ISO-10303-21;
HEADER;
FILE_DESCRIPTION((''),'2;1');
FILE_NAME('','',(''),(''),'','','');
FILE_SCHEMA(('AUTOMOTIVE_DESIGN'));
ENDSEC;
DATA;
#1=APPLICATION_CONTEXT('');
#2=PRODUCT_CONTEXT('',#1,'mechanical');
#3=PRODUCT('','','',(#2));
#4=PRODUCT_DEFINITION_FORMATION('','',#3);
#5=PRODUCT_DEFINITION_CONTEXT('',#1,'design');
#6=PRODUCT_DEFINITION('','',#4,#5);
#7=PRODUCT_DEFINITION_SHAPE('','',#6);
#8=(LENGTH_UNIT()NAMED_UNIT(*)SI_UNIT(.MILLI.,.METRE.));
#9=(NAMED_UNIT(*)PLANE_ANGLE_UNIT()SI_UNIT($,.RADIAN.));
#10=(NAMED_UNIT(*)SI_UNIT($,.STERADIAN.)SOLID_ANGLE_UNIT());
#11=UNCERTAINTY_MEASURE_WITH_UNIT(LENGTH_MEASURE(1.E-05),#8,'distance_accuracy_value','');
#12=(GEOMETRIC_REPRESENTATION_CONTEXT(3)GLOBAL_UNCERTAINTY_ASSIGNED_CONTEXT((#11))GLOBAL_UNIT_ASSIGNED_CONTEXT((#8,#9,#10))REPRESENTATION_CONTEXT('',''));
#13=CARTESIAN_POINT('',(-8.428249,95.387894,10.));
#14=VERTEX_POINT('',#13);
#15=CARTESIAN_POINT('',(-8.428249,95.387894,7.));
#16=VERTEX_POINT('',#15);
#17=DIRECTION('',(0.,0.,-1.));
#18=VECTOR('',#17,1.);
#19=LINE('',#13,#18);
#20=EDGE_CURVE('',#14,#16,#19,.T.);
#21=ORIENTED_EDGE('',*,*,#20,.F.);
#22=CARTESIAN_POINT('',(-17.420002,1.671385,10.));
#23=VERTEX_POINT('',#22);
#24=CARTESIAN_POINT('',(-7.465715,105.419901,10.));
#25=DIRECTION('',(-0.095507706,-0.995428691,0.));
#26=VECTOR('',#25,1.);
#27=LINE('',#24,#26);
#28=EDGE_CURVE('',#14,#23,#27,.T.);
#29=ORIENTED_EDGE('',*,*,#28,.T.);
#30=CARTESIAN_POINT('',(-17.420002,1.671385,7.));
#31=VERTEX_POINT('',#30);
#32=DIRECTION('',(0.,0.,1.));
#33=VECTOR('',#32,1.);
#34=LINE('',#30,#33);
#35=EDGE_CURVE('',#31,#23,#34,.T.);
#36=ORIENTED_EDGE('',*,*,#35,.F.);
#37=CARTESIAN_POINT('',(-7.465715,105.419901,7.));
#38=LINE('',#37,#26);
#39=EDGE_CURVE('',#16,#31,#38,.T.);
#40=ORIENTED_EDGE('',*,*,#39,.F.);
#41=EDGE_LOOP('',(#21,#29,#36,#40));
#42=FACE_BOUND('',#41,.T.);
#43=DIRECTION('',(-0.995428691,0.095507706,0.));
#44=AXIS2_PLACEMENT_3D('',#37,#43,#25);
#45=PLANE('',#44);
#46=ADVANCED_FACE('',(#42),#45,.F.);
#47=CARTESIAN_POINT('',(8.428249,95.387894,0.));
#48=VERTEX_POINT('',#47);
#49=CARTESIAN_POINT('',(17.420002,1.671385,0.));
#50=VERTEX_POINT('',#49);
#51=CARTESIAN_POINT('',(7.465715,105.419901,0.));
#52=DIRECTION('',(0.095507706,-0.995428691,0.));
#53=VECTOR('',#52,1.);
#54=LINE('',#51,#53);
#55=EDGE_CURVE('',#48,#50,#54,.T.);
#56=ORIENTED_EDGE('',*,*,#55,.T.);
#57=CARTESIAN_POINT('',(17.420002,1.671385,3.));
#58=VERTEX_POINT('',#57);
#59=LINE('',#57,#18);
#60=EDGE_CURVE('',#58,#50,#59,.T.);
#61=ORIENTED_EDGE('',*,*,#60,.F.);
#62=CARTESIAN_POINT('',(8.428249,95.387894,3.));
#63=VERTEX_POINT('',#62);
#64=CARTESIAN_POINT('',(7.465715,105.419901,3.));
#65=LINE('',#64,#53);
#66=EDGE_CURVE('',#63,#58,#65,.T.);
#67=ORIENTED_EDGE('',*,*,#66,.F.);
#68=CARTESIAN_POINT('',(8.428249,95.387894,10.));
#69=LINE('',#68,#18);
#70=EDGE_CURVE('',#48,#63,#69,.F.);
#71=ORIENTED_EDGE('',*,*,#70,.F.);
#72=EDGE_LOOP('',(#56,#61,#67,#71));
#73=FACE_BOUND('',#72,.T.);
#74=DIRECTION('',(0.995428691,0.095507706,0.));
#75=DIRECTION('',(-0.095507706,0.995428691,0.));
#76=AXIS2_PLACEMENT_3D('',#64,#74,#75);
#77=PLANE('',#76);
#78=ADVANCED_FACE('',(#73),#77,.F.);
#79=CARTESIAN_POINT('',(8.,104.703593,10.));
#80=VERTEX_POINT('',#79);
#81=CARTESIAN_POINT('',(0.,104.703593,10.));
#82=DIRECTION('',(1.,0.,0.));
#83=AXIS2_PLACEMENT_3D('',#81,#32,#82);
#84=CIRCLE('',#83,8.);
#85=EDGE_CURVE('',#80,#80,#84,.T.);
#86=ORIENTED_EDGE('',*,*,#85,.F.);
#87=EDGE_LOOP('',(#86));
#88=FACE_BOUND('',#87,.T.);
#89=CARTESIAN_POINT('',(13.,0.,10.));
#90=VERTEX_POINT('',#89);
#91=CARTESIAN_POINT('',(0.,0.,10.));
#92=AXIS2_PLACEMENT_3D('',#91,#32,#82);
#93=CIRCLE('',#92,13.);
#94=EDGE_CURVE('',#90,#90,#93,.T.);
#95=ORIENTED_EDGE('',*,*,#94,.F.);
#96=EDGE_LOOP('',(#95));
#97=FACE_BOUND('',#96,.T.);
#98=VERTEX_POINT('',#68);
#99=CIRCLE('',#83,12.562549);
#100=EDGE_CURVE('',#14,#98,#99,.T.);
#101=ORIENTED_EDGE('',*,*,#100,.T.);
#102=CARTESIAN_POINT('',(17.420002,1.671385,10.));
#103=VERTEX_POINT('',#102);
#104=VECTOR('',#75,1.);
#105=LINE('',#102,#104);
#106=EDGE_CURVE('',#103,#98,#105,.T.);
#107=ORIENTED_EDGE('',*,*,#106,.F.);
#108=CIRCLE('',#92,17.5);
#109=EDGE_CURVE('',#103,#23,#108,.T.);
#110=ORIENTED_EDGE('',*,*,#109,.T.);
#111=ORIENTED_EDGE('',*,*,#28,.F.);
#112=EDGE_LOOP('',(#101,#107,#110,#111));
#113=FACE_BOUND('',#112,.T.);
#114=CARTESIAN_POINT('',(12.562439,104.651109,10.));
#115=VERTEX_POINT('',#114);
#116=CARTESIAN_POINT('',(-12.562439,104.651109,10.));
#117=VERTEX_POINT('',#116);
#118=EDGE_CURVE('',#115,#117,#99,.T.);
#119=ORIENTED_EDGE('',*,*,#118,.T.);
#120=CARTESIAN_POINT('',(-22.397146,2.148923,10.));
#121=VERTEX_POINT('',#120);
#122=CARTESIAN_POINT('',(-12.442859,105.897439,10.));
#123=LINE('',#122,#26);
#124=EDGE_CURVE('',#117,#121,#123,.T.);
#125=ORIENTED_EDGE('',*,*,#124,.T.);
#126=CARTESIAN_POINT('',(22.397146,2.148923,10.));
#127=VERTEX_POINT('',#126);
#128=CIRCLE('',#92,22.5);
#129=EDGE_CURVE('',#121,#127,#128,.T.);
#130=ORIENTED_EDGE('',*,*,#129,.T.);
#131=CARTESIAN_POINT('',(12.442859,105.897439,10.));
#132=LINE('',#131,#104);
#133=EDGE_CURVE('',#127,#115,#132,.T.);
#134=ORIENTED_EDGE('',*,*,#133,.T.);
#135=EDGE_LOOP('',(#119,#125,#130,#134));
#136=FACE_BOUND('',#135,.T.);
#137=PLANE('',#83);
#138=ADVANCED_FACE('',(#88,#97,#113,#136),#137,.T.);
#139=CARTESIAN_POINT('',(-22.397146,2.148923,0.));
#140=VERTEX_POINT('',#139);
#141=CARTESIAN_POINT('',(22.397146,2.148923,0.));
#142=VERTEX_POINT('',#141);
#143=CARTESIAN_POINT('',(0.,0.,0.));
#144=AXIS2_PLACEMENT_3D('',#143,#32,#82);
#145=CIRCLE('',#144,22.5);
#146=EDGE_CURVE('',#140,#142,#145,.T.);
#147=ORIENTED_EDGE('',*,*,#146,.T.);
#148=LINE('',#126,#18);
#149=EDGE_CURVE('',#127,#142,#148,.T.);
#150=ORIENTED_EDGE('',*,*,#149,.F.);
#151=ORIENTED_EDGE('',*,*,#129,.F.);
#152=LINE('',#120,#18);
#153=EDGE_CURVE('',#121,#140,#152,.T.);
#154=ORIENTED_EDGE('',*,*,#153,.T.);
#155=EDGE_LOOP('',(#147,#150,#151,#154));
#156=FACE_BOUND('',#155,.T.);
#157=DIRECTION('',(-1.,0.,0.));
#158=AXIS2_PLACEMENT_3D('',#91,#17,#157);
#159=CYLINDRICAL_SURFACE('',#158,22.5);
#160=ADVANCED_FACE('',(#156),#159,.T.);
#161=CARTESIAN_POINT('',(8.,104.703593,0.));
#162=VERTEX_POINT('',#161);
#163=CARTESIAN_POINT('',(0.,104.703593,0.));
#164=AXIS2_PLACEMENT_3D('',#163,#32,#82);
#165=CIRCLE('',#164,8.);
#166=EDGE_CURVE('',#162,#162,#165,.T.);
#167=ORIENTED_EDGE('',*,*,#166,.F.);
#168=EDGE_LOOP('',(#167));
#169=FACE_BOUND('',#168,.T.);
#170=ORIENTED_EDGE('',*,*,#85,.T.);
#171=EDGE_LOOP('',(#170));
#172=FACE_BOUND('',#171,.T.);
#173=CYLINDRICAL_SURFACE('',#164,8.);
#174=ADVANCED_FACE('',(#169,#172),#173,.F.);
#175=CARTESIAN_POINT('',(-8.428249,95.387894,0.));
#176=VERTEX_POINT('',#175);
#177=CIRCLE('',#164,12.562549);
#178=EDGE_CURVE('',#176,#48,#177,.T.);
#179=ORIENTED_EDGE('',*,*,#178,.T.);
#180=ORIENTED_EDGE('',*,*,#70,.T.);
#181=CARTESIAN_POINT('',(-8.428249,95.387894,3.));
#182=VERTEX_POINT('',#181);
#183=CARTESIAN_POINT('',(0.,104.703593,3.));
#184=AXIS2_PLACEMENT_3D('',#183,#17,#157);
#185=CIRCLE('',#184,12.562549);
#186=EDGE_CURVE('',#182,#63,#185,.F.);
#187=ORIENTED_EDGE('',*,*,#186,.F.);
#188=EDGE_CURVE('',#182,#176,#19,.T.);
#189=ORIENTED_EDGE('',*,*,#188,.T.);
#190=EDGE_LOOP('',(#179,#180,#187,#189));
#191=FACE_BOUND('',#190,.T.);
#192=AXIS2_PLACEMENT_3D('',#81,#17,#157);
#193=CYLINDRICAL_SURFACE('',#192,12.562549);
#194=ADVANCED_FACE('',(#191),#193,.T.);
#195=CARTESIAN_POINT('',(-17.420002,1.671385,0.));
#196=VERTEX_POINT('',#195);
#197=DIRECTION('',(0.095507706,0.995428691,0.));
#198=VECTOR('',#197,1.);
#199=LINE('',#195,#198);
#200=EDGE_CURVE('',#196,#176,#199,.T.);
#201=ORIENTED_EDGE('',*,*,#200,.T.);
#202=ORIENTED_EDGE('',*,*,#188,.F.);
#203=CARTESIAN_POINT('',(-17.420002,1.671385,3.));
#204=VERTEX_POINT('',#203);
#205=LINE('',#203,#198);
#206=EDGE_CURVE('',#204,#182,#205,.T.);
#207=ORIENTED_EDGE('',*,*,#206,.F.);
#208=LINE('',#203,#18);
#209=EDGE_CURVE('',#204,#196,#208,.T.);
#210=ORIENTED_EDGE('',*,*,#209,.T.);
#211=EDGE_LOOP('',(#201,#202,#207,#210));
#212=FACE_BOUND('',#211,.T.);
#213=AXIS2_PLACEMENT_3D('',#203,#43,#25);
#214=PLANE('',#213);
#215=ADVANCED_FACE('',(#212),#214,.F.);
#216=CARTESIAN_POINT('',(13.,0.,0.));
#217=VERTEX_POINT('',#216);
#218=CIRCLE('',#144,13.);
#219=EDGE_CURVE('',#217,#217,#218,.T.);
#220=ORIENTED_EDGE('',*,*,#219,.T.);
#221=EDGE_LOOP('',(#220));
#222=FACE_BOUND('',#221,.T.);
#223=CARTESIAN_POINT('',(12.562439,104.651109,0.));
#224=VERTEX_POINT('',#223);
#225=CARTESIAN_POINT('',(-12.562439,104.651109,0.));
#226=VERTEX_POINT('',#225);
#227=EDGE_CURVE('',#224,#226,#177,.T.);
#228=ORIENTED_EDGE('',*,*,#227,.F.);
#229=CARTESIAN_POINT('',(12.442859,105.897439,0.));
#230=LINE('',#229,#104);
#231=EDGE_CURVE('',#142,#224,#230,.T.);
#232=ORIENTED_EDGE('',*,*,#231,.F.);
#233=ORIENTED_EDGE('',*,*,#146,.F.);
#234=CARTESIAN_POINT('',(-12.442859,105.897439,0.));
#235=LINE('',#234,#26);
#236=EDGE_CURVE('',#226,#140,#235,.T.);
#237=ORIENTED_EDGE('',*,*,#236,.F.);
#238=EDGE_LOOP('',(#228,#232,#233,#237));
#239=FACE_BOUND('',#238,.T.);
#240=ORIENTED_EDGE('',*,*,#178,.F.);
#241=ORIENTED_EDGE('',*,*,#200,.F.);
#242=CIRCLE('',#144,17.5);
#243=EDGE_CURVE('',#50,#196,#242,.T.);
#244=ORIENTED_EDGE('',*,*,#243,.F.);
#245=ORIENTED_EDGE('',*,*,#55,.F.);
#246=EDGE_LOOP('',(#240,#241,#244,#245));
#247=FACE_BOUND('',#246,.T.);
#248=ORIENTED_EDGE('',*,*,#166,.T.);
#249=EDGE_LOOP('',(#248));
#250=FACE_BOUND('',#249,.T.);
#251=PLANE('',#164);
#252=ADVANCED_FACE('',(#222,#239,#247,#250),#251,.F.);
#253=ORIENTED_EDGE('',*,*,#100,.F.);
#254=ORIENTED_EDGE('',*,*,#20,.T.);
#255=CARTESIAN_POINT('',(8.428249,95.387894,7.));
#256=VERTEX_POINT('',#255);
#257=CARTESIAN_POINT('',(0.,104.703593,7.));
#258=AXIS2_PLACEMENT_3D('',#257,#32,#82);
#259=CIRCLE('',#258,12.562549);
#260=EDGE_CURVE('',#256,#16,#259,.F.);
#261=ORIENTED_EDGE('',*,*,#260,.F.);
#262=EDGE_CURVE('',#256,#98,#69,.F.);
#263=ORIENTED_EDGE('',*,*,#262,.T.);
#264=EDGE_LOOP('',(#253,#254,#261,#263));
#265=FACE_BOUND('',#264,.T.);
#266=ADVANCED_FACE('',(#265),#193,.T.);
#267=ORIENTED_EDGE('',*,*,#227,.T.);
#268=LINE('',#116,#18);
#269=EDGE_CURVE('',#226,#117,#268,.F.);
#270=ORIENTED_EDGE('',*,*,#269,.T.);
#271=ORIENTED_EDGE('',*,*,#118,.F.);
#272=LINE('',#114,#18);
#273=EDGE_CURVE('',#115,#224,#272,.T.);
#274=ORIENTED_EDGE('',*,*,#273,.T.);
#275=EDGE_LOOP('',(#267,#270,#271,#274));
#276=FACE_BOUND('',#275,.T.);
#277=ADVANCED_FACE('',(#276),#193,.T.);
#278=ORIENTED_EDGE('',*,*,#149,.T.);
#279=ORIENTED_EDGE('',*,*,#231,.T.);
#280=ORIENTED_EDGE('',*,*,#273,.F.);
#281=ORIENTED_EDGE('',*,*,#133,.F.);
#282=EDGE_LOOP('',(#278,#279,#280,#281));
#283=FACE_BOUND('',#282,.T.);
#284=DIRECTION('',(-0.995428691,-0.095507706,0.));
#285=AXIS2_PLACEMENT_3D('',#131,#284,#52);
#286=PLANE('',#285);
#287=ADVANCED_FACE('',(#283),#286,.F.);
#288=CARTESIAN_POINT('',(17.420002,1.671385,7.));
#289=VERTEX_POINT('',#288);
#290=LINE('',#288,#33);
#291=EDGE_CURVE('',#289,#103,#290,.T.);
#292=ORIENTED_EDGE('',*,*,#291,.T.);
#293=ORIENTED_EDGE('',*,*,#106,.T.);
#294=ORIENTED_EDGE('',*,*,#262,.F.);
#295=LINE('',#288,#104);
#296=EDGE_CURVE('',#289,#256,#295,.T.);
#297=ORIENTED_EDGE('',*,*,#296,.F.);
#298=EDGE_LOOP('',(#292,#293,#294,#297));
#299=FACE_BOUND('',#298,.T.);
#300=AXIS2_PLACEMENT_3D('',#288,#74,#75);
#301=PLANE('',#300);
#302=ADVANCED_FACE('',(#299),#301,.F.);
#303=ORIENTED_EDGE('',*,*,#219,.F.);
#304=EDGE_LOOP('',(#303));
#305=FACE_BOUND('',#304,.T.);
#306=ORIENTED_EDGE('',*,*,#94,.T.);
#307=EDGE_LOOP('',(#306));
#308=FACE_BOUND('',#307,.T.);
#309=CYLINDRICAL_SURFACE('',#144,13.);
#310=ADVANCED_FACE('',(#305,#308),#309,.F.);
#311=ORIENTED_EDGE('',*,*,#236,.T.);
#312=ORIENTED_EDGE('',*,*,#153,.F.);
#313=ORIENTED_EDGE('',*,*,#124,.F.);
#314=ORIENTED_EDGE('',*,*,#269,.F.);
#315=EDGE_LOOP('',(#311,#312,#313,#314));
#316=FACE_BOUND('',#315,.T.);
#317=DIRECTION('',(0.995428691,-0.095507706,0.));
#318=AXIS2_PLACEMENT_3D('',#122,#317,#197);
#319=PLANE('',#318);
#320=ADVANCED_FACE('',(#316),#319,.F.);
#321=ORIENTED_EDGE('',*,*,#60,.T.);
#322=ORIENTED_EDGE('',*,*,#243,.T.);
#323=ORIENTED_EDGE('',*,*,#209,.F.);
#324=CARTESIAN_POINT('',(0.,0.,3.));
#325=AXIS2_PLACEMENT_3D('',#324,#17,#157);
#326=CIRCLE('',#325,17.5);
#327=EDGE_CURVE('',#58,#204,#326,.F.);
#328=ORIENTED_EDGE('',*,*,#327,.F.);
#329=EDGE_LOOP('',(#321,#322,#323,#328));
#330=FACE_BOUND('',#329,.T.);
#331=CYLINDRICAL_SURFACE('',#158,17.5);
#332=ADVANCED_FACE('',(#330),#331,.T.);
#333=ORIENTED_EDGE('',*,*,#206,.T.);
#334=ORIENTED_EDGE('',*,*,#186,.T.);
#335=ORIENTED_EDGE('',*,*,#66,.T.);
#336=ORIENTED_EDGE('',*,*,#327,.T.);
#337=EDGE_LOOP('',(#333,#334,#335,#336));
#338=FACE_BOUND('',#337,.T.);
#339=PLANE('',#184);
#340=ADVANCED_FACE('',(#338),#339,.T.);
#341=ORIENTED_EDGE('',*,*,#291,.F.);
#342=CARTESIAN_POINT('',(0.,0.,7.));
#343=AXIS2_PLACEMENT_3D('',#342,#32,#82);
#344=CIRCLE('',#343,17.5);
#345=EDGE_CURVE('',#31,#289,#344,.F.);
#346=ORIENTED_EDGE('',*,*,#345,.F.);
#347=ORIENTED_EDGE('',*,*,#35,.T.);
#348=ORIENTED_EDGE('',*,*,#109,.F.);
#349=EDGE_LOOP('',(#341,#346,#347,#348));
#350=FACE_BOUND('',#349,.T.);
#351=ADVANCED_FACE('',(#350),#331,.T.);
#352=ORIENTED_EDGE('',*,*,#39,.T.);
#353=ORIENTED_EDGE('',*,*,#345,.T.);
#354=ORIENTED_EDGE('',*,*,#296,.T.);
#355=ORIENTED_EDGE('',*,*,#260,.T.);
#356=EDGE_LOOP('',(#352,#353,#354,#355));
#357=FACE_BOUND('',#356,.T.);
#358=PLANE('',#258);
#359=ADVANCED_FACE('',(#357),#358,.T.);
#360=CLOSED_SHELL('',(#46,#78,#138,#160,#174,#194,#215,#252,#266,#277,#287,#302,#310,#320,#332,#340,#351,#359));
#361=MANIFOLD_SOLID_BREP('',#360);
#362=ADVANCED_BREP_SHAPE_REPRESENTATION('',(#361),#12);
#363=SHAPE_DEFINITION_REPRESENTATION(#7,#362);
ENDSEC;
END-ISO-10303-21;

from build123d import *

# Parameters (mm, degrees)
BOSS_EXTRUDE1_DEPTH = 10
CUT_EXTRUDE1_DEPTH  = 3
CUT_EXTRUDE2_START  = -3
CUT_EXTRUDE2_DEPTH  = 3
SKETCH8_R           = 17.5
SKETCH8_R_2         = 12.562549016
BOSS_EXTRUDE3_DEPTH = 10
SKETCH9_R           = 13
SKETCH9_R_2         = 8
CUT_EXTRUDE4_DEPTH  = 120.823194953


with BuildPart() as part:
    # Sketch2 → Boss-Extrude1 (new body)
    with BuildSketch(Plane.XY):
        with BuildLine():
            Line((-12.442858632, 105.897439267), (-22.397145538, 2.148923391))
            ThreePointArc((-22.397145538, 2.148923391), (0, -22.5), (22.397145538, 2.148923391))
            Line((22.397145538, 2.148923391), (12.442858632, 105.897439267))
            ThreePointArc((12.442858632, 105.897439267), (0, 117.203592938), (-12.442858632, 105.897439267))
        make_face()
    extrude(amount=BOSS_EXTRUDE1_DEPTH)

    # Sketch3 → Cut-Extrude1 (cut)
    with BuildSketch(Plane.XY.offset(10)):
        with BuildLine():
            Line((-7.465715179, 105.419900735), (-17.420002085, 1.67138486))
            ThreePointArc((-17.420002085, 1.67138486), (0, -17.5), (17.420002085, 1.67138486))
            Line((17.420002085, 1.67138486), (7.465715179, 105.419900735))
            ThreePointArc((7.465715179, 105.419900735), (0, 112.203592938), (-7.465715179, 105.419900735))
        make_face()
    extrude(amount=-CUT_EXTRUDE1_DEPTH, mode=Mode.SUBTRACT)

    # Sketch5 → Cut-Extrude2 (cut)
    with BuildSketch(Plane(origin=(0, 0, 0), x_dir=(-1, 0, 0), z_dir=(0, 0, -1)).offset(CUT_EXTRUDE2_START)):
        with BuildLine():
            Line((-7.465715179, 105.419900735), (-17.420002085, 1.67138486))
            ThreePointArc((-17.420002085, 1.67138486), (0, -17.5), (17.420002085, 1.67138486))
            Line((17.420002085, 1.67138486), (7.465715179, 105.419900735))
            ThreePointArc((7.465715179, 105.419900735), (0, 112.203592938), (-7.465715179, 105.419900735))
        make_face()
    extrude(amount=CUT_EXTRUDE2_DEPTH, mode=Mode.SUBTRACT)

    # Sketch8 → Boss-Extrude3 (add)
    with BuildSketch(Plane.XY):
        Circle(SKETCH8_R)
        with Locations((0, 104.703592938)):
            Circle(SKETCH8_R_2)
    extrude(amount=BOSS_EXTRUDE3_DEPTH)

    # Sketch9 → Cut-Extrude4 (cut, through all)
    with BuildSketch(Plane.XY.offset(10)):
        Circle(SKETCH9_R)
        with Locations((0, 104.703592938)):
            Circle(SKETCH9_R_2)
    extrude(amount=-CUT_EXTRUDE4_DEPTH, mode=Mode.SUBTRACT)


solid = part.part
